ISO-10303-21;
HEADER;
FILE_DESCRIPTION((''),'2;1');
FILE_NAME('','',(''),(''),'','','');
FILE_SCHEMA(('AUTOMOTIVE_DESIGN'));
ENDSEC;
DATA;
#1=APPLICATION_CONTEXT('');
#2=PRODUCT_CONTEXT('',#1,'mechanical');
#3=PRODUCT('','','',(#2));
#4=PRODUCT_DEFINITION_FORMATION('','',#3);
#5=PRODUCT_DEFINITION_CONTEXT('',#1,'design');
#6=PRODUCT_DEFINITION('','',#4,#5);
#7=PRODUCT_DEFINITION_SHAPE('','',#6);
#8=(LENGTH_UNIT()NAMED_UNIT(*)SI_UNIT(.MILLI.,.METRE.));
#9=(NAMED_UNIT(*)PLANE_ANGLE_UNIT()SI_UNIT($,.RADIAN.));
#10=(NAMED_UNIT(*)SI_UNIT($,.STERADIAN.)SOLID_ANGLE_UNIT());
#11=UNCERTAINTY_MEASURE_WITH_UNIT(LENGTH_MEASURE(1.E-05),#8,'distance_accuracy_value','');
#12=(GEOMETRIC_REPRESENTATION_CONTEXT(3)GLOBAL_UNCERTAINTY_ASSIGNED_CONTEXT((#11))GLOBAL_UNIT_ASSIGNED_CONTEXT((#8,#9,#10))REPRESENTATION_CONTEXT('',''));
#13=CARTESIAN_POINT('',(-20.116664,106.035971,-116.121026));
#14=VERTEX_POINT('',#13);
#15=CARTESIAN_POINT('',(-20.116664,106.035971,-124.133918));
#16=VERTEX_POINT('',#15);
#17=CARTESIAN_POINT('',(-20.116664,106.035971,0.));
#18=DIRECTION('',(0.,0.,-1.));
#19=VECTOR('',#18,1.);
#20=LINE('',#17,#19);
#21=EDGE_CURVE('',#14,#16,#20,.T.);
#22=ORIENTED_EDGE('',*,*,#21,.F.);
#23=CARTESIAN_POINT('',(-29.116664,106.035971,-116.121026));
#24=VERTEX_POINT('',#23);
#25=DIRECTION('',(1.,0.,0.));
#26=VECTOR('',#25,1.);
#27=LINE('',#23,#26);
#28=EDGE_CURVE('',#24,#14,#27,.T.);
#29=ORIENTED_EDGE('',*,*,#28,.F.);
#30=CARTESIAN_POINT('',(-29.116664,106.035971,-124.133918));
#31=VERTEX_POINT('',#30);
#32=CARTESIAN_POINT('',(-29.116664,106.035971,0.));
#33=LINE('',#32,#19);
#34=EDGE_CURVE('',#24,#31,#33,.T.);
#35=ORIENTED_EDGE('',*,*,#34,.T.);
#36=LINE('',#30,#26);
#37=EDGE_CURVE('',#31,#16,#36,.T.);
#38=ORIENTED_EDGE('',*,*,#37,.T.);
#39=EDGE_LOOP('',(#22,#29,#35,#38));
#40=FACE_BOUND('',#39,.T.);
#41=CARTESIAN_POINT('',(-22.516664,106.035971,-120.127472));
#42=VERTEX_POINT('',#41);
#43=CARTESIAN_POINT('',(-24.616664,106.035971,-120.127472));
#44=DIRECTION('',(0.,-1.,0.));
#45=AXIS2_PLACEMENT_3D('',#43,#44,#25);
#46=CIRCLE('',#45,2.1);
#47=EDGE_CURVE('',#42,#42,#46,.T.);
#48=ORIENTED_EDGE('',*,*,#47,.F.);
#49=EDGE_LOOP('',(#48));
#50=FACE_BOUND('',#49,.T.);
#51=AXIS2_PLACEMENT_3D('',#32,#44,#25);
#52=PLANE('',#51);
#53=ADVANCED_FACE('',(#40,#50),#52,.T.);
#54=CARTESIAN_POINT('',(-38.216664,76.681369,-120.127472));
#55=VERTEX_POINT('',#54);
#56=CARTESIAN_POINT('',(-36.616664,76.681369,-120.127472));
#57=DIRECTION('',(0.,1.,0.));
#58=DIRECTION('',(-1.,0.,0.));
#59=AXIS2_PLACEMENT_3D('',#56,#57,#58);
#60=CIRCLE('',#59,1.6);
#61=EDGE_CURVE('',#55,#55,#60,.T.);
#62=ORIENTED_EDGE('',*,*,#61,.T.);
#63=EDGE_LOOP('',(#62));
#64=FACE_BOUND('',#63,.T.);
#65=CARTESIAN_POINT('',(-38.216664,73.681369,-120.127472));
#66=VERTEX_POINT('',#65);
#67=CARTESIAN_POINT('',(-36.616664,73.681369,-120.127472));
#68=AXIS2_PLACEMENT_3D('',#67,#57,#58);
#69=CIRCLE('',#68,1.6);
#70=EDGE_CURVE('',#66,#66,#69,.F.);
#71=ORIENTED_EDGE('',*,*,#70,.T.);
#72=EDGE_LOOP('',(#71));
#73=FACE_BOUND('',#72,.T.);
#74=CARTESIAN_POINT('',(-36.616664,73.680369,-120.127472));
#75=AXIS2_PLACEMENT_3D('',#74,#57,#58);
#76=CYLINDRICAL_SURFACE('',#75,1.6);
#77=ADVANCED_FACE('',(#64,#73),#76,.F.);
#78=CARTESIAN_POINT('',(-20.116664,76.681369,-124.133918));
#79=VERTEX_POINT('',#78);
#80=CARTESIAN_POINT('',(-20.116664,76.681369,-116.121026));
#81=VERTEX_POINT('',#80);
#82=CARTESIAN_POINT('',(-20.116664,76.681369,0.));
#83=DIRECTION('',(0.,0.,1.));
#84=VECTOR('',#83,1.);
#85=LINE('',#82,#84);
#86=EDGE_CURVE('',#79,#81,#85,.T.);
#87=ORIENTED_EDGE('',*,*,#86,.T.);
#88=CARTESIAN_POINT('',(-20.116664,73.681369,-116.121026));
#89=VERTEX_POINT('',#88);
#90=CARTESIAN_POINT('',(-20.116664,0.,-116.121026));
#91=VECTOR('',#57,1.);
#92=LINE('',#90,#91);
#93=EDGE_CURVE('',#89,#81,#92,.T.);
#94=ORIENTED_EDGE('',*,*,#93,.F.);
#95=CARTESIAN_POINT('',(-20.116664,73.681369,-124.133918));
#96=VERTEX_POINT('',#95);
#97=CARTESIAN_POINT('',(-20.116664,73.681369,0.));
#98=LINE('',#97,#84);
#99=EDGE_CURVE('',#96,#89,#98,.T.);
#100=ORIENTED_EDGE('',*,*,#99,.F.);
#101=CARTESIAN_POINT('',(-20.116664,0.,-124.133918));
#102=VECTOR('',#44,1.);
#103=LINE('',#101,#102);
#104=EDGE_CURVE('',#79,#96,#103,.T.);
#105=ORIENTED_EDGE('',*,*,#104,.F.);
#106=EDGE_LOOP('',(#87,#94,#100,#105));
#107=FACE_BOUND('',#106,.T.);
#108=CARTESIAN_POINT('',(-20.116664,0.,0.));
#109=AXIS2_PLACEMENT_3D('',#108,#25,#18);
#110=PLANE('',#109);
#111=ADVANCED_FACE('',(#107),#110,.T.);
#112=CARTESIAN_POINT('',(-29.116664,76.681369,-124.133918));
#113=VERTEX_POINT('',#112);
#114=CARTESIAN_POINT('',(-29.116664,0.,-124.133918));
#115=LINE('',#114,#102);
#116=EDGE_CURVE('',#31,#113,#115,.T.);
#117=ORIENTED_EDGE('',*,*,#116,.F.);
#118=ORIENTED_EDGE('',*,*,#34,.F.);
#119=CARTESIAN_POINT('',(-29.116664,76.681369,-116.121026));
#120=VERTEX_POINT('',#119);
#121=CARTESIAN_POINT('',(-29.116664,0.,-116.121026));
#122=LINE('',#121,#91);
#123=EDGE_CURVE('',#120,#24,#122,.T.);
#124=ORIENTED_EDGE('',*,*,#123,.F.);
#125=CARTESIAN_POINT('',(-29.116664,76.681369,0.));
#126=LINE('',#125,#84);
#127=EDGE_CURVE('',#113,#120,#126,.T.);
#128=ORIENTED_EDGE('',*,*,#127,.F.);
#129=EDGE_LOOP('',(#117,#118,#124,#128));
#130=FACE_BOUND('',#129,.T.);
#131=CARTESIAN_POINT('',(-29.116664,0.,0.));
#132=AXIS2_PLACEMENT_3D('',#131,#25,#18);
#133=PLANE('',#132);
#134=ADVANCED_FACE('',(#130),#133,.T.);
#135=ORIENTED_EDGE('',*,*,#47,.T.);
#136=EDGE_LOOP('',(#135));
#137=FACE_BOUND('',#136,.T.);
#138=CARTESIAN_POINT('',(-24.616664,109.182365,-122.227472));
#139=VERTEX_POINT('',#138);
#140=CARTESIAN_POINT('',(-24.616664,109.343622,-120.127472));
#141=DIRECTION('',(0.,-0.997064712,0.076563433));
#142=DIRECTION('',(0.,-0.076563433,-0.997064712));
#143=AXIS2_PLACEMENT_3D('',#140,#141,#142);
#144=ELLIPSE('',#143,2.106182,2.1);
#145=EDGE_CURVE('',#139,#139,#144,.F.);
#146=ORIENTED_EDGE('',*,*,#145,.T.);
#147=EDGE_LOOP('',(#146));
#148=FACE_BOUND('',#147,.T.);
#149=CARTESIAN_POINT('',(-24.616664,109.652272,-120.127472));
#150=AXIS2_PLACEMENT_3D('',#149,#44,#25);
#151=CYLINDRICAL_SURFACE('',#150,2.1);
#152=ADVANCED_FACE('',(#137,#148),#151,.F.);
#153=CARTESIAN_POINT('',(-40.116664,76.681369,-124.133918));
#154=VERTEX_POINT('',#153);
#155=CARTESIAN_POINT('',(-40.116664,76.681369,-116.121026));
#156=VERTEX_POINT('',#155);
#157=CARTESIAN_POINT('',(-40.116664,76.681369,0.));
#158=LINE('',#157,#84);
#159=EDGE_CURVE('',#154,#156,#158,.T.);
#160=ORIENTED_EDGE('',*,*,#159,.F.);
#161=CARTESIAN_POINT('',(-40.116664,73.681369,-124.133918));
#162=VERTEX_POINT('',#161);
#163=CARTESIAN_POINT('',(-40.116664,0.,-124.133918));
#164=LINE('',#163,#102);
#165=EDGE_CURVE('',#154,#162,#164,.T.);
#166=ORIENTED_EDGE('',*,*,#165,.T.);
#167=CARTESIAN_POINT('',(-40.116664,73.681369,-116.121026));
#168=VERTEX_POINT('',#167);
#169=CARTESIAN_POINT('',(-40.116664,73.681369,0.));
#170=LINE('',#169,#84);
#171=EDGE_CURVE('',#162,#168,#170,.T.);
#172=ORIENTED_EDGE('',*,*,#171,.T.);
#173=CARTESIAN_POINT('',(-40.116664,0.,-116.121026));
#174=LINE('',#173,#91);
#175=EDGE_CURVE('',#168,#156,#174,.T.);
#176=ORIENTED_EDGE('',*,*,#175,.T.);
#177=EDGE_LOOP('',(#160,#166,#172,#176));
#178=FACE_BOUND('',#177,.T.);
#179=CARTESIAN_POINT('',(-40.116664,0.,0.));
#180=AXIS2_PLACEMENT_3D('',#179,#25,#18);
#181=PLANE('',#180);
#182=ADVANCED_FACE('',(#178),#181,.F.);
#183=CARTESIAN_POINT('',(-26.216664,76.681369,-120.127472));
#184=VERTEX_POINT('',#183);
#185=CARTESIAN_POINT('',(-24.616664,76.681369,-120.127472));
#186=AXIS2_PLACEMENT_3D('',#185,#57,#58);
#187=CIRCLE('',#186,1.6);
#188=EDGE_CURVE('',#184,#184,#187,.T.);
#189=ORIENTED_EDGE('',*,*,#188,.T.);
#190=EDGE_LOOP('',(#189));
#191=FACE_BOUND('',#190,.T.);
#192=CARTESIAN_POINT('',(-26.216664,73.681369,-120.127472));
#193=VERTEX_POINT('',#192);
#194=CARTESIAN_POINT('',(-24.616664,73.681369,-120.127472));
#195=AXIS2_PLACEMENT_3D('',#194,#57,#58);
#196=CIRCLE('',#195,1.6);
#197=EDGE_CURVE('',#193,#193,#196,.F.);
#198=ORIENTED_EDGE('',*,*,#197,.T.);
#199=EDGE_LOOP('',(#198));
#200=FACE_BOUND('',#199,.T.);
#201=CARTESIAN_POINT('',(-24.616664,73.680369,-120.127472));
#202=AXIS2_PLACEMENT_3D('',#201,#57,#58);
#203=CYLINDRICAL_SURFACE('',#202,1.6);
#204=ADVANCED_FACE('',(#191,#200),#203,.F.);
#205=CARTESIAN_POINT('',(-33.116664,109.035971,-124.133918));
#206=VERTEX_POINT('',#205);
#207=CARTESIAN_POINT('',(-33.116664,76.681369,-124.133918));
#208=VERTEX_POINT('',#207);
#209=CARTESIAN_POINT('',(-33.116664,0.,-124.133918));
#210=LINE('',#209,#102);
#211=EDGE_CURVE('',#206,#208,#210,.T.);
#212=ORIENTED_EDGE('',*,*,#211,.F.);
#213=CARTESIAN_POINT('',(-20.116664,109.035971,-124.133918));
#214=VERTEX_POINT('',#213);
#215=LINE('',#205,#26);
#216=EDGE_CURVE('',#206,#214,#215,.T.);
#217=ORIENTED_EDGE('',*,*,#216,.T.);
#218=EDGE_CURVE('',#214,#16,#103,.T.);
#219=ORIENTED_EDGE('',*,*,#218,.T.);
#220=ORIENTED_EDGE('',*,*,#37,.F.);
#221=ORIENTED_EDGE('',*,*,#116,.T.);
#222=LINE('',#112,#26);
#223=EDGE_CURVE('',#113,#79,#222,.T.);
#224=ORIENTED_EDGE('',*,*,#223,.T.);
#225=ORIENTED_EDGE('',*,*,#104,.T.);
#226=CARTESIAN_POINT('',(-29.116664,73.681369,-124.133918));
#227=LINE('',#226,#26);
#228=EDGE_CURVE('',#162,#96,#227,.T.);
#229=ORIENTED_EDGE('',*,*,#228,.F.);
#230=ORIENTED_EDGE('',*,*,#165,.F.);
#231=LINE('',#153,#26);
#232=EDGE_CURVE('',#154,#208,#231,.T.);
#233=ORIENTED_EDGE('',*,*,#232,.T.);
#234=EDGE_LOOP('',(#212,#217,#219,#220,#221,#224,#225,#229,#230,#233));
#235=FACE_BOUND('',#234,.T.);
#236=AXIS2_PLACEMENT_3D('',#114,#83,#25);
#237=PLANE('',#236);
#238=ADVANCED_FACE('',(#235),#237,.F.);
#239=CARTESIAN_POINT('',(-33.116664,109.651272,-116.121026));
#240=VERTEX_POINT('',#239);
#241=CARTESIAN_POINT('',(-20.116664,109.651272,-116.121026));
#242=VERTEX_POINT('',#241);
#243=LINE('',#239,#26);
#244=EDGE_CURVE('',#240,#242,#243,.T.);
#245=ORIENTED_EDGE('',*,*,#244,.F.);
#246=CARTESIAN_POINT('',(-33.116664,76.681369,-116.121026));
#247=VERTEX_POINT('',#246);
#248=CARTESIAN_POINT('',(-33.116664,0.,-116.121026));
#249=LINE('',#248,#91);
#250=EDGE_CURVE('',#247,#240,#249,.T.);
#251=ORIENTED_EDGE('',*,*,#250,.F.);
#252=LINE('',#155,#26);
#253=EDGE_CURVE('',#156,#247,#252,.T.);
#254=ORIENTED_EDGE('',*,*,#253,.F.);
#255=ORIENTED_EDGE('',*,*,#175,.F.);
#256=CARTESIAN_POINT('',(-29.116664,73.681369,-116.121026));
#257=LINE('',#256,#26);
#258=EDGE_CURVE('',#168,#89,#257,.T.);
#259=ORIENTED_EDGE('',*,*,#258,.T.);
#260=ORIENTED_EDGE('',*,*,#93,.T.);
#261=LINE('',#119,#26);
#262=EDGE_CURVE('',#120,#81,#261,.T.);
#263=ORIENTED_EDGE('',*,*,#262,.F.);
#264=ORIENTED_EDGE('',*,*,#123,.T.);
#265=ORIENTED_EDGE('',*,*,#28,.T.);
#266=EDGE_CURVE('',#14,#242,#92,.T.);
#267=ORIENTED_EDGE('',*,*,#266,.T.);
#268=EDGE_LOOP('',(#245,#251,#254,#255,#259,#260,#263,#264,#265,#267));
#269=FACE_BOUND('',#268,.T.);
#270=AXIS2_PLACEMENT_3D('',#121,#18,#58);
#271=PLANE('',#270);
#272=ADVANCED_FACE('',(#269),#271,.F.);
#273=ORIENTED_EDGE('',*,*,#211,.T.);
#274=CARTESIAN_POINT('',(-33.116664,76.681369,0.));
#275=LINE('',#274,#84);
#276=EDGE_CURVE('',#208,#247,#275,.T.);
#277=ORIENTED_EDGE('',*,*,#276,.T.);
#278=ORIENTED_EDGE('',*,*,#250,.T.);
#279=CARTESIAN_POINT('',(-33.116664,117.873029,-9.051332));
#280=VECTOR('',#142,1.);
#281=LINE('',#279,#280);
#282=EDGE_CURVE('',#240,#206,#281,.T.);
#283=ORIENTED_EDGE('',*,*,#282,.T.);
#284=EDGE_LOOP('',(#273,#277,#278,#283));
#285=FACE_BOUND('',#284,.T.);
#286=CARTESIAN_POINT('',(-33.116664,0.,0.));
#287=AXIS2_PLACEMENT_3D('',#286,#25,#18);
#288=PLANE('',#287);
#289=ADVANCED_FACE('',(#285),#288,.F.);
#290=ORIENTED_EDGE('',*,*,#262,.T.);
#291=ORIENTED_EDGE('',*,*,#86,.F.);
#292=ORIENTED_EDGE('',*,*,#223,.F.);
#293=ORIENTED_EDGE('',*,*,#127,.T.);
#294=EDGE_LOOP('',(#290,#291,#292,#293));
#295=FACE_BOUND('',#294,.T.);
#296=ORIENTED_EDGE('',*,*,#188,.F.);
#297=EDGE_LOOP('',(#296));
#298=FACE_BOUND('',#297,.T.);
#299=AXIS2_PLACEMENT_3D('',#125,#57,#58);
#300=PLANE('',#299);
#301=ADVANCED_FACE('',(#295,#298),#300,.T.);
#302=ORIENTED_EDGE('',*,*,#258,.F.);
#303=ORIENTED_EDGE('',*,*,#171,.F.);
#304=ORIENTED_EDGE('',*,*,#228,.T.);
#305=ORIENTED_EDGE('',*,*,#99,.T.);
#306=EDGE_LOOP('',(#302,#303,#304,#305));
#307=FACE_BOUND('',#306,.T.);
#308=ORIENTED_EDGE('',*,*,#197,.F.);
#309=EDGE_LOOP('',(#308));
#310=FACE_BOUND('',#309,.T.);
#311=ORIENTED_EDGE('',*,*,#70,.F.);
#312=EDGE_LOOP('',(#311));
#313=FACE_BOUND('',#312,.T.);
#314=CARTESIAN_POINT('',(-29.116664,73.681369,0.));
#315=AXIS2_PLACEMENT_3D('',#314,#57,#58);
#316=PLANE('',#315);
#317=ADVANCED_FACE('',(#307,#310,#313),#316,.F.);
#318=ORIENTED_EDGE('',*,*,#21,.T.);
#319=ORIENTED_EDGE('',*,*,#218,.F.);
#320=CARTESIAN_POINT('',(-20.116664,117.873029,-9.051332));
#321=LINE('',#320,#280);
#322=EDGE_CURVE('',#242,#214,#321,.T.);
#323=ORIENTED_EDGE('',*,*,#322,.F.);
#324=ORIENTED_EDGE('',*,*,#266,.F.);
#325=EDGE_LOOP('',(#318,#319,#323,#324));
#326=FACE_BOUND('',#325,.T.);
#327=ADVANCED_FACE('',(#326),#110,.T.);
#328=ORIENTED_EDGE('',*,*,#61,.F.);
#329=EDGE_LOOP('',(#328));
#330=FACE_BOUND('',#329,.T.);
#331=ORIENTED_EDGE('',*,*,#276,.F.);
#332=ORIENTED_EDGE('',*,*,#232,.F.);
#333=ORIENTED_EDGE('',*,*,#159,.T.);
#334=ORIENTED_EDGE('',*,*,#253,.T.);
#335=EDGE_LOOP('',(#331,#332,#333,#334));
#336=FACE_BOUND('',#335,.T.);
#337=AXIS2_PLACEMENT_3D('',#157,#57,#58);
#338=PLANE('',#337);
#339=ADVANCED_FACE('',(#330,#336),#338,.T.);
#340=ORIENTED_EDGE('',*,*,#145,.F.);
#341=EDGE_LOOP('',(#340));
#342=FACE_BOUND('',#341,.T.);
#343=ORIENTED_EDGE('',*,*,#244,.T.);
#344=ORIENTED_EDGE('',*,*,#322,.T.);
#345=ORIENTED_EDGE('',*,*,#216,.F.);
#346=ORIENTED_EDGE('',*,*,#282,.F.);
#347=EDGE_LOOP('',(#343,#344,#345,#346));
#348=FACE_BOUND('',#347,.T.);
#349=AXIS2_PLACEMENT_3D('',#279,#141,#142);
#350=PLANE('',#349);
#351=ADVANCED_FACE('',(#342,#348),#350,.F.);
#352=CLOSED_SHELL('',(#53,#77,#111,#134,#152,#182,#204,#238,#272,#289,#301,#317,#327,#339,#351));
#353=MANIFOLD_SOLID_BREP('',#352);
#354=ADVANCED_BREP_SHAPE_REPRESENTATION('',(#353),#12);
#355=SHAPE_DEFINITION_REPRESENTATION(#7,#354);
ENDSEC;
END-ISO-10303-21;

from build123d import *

# Parameters (mm, degrees)
SKETCH1_W             = 8.012892266
SKETCH1_H             = 3
BOSS_EXTRUDE1_DEPTH   = 9
BOSS_EXTRUDE1_2_DEPTH = 9
BOSS_EXTRUDE2_START   = -9
BOSS_EXTRUDE2_DEPTH   = 4
BOSS_EXTRUDE3_START   = -13
SKETCH1_4_W           = 8.012892266
SKETCH1_4_H           = 3
BOSS_EXTRUDE3_DEPTH   = 7
CUT_EXTRUDE1_REACH    = 136.557
SKETCH2_R             = 1.6
CUT_EXTRUDE2_REACH    = 136.408
SKETCH3_R             = 2.1


with BuildPart() as part:
    # Sketch1 → Boss-Extrude1 (new body)
    with BuildSketch(Plane(origin=(-20.116663772, 0, 0), x_dir=(0, 0, -1), z_dir=(1, 0, 0))):
        with Locations((120.127472222, 75.181369419)):
            Rectangle(SKETCH1_W, SKETCH1_H)
    extrude(amount=-BOSS_EXTRUDE1_DEPTH)



with BuildPart() as body_2:
    # Sketch1 → Boss-Extrude1 2 (new body)
    with BuildSketch(Plane(origin=(-20.116663772, 0, 0), x_dir=(0, 0, -1), z_dir=(1, 0, 0))):
        Polygon((116.121026089, 106.035971289), (124.133918355, 106.035971289), (124.133918355, 109.035971289), (116.121026089, 109.651271917), align=None)
    extrude(amount=-BOSS_EXTRUDE1_2_DEPTH)


with BuildPart() as part_1:
    add(part.part)

    add(body_2.part)  # Boss-Extrude2 merges body 2
    # Sketch1<3> → Boss-Extrude2 (add)
    with BuildSketch(Plane(origin=(-20.116663772, 0, 0), x_dir=(0, 0, -1), z_dir=(1, 0, 0)).offset(BOSS_EXTRUDE2_START)):
        Polygon((116.121026089, 73.681369419), (124.133918355, 73.681369419), (124.133918355, 109.035971289), (116.121026089, 109.651271917), align=None)
    extrude(amount=-BOSS_EXTRUDE2_DEPTH)

    # Sketch1<4> → Boss-Extrude3 (add)
    with BuildSketch(Plane(origin=(-20.116663772, 0, 0), x_dir=(0, 0, -1), z_dir=(1, 0, 0)).offset(BOSS_EXTRUDE3_START)):
        with Locations((120.127472222, 75.181369419)):
            Rectangle(SKETCH1_4_W, SKETCH1_4_H)
    extrude(amount=-BOSS_EXTRUDE3_DEPTH)

    # Sketch2 → Cut-Extrude1 (cut, up to next)
    with BuildSketch(Plane(origin=(0, 76.681369419, 0), x_dir=(1, 0, 0), z_dir=(0, 1, 0)), mode=Mode.PRIVATE) as cut_extrude1_sk1:
        with Locations(Location((-24.616663772, 120.127472222, 0), (0, 0, 180))):
            Circle(SKETCH2_R)
    cut_extrude1_tool1 = extrude(cut_extrude1_sk1.sketch, amount=-CUT_EXTRUDE1_REACH, mode=Mode.PRIVATE) & part_1.part
    # Sketch2 → Cut-Extrude1 (cut, up to next)
    with BuildSketch(Plane(origin=(0, 76.681369419, 0), x_dir=(1, 0, 0), z_dir=(0, 1, 0)), mode=Mode.PRIVATE) as cut_extrude1_sk2:
        with Locations(Location((-36.616663772, 120.127472222, 0), (0, 0, 180))):
            Circle(SKETCH2_R)
    cut_extrude1_tool2 = extrude(cut_extrude1_sk2.sketch, amount=-CUT_EXTRUDE1_REACH, mode=Mode.PRIVATE) & part_1.part
    add(cut_extrude1_tool1.solids().sort_by_distance((-24.616664, 76.681369, -120.127472))[0], mode=Mode.SUBTRACT)
    add(cut_extrude1_tool2.solids().sort_by_distance((-36.616664, 76.681369, -120.127472))[0], mode=Mode.SUBTRACT)

    # Cut-Extrude2: up to this plane
    cut_extrude2_end = Plane(origin=(-33.116663772, 117.873028528, -9.051332034), z_dir=(1.1764260283030438e-15, -0.9970647123754436, 0.07656343341095784))
    # Sketch3 → Cut-Extrude2 (cut, up to the surface)
    with BuildSketch(Plane.XZ.offset(-106.035971289), mode=Mode.PRIVATE) as cut_extrude2_sk1:
        with Locations((-24.616663772, -120.127472222)):
            Circle(SKETCH3_R)
    cut_extrude2_tool1 = split(extrude(cut_extrude2_sk1.sketch, amount=-CUT_EXTRUDE2_REACH, mode=Mode.PRIVATE), bisect_by=cut_extrude2_end, keep=Keep.BOTH, mode=Mode.PRIVATE)
    add(cut_extrude2_tool1.solids().sort_by_distance((-24.616664, 106.035971, -120.127472))[0], mode=Mode.SUBTRACT)


solid = part_1.part
